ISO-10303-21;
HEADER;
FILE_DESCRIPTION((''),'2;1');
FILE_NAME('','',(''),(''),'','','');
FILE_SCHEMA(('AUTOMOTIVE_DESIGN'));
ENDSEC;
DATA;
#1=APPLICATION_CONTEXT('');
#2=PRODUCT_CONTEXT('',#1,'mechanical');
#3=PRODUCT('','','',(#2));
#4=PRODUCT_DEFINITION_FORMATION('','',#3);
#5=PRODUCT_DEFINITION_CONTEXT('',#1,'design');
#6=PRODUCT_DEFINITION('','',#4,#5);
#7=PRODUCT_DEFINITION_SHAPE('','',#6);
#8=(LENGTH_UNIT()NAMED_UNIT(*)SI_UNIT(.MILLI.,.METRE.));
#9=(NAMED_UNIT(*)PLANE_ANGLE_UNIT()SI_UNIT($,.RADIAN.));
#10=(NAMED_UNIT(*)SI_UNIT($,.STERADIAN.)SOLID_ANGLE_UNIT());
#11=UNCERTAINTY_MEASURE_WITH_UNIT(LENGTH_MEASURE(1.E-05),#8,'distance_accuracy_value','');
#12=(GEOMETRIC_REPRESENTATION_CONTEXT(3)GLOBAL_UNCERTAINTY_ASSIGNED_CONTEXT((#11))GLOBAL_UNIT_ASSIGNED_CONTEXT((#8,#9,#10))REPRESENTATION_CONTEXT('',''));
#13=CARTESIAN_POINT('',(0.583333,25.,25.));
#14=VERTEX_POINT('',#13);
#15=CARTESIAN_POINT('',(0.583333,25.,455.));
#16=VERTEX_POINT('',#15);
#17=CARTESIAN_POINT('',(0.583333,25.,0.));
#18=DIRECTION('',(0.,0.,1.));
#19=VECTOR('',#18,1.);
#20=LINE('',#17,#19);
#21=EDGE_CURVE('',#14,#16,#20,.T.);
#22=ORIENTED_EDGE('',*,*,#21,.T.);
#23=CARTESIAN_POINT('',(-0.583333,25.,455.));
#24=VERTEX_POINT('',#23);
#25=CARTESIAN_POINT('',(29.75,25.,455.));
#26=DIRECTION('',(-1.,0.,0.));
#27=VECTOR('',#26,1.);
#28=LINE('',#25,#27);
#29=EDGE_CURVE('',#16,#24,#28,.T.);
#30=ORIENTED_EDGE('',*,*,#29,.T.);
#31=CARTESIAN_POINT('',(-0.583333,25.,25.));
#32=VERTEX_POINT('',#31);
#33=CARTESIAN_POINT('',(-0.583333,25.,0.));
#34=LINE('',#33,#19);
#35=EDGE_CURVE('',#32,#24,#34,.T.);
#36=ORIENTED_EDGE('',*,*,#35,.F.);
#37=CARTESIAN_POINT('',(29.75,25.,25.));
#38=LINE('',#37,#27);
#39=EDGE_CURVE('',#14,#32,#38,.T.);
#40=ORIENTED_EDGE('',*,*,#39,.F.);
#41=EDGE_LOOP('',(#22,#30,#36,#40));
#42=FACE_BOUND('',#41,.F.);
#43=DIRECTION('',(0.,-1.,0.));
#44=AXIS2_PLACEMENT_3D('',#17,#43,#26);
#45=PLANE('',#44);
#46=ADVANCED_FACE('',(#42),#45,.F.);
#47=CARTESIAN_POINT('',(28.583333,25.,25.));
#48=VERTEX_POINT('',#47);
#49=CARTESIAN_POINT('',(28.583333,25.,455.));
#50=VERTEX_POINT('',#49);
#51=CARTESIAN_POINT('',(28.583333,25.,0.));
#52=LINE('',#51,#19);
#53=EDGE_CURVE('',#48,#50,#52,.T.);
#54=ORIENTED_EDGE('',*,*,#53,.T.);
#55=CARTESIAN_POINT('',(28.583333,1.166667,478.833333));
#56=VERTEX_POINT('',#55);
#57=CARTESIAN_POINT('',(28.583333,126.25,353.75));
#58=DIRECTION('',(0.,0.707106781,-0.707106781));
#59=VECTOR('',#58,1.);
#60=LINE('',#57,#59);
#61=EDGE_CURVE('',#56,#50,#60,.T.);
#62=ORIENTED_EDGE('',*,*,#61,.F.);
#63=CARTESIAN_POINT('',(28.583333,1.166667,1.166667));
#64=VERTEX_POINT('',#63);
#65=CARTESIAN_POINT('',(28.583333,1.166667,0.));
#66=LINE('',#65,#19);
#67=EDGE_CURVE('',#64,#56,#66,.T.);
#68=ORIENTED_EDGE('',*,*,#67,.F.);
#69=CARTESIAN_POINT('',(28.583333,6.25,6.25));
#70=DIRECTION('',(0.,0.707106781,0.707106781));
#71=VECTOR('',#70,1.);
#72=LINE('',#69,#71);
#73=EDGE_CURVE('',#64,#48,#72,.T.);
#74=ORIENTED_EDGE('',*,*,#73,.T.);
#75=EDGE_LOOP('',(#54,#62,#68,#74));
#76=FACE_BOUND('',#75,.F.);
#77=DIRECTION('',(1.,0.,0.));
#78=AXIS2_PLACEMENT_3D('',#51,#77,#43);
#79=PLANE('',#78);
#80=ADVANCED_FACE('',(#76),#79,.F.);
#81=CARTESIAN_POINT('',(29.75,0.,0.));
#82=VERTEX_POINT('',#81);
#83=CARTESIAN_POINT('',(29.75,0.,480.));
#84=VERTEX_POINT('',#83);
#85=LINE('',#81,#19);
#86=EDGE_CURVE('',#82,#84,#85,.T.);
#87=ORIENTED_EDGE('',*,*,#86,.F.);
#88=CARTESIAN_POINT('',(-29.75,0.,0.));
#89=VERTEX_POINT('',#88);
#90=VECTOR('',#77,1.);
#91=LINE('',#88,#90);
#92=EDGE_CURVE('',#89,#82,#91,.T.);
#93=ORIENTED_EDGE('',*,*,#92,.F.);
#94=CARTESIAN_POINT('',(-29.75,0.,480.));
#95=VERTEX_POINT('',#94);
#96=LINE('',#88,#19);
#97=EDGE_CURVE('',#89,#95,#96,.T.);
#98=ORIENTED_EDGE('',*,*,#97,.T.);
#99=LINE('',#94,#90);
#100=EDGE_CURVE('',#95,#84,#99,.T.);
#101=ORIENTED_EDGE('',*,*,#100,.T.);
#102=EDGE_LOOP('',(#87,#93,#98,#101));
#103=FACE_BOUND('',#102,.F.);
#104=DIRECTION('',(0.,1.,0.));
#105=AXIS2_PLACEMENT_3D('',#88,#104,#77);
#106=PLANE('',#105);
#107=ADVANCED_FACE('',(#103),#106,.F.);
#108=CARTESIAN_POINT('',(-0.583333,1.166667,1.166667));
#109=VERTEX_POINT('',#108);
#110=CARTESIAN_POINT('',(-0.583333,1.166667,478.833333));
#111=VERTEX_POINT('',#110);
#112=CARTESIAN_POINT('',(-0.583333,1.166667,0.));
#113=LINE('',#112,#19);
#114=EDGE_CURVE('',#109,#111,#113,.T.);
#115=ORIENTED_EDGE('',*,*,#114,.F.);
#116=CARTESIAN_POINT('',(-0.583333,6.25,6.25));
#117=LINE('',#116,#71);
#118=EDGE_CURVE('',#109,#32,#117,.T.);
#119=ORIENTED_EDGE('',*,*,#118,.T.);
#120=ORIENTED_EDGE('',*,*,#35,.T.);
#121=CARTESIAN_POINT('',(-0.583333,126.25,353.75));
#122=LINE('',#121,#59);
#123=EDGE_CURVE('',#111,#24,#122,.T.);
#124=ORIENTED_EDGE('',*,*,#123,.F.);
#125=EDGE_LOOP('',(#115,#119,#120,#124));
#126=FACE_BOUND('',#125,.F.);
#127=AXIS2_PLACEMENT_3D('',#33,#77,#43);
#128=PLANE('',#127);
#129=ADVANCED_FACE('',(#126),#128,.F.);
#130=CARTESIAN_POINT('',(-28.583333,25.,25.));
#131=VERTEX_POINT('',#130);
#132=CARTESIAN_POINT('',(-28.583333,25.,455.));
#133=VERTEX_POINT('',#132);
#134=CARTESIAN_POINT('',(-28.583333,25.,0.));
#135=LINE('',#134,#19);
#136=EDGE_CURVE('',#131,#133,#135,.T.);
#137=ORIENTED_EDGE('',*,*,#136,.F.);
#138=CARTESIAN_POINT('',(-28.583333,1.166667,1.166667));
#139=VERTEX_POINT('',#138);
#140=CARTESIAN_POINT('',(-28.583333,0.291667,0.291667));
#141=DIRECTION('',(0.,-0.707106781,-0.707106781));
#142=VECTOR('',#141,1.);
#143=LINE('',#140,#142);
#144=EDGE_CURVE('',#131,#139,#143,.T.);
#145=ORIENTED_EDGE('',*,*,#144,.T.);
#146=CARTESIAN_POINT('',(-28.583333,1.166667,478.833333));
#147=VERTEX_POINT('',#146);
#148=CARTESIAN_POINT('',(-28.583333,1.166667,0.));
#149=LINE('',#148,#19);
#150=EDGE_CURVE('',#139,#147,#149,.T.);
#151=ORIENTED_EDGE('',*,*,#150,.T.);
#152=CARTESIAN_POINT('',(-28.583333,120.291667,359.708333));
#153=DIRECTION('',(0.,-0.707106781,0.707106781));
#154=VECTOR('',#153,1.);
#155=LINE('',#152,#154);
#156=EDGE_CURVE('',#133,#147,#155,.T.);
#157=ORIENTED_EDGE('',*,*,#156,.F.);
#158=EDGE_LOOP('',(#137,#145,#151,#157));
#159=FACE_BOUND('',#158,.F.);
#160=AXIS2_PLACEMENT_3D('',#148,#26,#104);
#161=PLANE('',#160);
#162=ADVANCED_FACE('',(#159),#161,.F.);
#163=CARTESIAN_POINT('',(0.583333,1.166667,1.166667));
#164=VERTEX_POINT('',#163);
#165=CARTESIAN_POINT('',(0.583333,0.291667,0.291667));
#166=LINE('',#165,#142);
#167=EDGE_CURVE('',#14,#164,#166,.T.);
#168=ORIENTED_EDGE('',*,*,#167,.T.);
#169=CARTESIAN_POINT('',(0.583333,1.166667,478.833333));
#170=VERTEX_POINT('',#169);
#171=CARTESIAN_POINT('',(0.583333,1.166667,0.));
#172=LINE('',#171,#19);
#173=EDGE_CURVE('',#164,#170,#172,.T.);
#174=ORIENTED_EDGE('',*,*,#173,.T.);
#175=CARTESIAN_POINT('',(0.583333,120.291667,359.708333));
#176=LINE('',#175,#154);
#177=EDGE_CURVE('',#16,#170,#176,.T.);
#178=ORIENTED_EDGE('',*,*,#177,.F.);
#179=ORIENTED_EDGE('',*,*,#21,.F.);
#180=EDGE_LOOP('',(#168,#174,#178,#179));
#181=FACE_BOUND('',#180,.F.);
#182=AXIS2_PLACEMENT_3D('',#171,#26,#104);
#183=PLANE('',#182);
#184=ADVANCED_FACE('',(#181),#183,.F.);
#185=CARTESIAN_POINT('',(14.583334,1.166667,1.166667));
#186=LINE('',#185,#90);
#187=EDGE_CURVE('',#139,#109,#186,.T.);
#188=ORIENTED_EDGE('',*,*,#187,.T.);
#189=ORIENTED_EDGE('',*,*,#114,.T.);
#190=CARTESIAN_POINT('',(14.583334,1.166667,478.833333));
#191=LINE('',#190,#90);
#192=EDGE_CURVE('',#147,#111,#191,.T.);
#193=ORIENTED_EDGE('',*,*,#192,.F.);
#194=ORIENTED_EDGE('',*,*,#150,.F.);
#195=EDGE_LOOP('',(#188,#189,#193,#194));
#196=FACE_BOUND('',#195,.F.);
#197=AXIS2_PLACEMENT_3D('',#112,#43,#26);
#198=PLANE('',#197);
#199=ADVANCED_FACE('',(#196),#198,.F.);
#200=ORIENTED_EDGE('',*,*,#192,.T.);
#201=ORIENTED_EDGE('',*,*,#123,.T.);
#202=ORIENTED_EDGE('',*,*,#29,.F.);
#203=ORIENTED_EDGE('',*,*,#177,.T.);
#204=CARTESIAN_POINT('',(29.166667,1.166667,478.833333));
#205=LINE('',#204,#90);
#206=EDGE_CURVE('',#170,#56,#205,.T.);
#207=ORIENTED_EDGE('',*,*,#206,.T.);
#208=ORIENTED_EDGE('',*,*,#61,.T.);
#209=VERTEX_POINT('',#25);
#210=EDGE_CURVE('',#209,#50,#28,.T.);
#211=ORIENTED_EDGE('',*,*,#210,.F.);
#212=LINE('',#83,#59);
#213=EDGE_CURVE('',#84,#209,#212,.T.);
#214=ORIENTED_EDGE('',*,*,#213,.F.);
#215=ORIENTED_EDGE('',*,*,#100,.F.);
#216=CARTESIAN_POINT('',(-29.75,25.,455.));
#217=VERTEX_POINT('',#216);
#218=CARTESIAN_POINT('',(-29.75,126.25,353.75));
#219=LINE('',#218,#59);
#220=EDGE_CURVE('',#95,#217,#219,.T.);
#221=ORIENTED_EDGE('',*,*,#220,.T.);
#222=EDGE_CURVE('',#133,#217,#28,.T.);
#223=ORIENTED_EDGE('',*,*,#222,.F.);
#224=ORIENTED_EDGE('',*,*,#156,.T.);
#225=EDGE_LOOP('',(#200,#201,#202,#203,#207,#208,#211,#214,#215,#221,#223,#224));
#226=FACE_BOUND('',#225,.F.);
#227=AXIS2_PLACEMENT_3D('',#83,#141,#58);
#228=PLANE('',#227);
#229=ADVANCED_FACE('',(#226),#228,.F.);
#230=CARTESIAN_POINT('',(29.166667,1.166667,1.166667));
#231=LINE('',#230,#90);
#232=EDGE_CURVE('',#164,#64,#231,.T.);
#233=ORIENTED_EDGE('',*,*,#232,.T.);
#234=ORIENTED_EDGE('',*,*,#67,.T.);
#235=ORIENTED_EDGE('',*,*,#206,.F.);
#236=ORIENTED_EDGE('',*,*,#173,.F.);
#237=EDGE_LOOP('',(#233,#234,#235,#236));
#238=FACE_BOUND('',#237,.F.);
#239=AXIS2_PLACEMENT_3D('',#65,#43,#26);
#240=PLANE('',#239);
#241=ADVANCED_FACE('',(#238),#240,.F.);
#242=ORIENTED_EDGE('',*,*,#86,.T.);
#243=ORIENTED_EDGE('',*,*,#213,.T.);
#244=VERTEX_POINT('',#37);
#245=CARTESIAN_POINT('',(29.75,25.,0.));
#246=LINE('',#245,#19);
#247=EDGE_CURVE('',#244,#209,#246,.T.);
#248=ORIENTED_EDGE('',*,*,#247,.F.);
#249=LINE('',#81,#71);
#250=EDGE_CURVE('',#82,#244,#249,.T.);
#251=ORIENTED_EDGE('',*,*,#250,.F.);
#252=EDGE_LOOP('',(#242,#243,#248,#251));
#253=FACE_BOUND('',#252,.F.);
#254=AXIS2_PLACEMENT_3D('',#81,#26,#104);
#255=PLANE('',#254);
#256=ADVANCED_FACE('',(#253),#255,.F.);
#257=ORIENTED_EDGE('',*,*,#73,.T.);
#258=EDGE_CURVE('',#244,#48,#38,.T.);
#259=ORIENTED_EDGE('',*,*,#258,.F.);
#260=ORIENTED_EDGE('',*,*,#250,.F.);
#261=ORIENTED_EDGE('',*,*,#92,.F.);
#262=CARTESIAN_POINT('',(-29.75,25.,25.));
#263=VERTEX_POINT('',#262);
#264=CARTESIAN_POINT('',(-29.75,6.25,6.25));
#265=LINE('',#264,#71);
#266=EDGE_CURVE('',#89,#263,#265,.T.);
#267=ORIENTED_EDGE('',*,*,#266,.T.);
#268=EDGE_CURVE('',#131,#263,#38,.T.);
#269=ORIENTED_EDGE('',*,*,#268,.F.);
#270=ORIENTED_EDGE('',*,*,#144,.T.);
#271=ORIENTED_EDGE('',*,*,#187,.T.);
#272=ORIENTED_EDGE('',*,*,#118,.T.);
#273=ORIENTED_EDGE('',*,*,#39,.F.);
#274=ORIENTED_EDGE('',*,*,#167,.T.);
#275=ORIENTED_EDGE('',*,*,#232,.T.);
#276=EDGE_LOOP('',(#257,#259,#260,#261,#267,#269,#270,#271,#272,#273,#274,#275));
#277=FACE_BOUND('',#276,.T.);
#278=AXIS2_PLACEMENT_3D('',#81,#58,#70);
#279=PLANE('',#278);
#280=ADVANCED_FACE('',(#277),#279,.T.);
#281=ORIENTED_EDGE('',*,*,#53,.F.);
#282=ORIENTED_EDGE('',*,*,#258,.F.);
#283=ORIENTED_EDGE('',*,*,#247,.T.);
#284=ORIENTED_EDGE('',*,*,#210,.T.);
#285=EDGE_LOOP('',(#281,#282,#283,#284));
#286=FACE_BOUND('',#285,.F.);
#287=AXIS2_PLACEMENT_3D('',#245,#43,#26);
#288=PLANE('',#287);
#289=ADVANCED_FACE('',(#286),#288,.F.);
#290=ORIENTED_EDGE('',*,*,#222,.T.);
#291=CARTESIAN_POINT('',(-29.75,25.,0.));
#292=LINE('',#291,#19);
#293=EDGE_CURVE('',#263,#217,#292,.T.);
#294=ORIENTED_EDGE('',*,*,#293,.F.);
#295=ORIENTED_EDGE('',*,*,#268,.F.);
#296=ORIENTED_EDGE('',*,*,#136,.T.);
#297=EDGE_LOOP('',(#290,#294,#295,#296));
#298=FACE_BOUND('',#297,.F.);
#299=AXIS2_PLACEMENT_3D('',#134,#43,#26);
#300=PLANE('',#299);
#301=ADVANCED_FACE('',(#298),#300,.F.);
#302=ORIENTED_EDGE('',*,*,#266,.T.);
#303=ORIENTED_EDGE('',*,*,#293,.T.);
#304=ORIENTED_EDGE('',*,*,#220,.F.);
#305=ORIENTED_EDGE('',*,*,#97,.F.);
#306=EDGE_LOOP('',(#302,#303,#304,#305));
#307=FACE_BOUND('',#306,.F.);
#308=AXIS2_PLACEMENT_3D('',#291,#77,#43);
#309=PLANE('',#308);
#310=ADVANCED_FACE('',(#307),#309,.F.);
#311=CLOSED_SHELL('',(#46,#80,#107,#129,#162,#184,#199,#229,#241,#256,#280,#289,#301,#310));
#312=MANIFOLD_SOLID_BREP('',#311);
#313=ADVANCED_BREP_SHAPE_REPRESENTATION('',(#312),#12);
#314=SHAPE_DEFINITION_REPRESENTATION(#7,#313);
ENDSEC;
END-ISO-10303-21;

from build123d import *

# Parameters (mm, degrees)
PAD_DEPTH       = 480
POCKET_DEPTH    = 59.501
POCKET001_DEPTH = 59.501


with BuildPart() as part:
    # Sketch → Pad (new body)
    with BuildSketch(Plane.XY):
        Polygon((-29.75, 25), (-29.75, 0), (29.75, 0), (29.75, 25), (28.583333, 25), (28.583333, 1.166667), (0.583333, 1.166667), (0.583333, 25), (-0.583333, 25), (-0.583333, 1.166667), (-28.583333, 1.166667), (-28.583333, 25), align=None)
    extrude(amount=PAD_DEPTH)

    # Sketch001 (on Face3 of Pad) → Pocket (cut, through all)
    with BuildSketch(Plane.YZ.offset(29.75)):
        Polygon((0, 0), (25, 25), (25, 0), align=None)
    extrude(amount=-POCKET_DEPTH, mode=Mode.SUBTRACT)

    # Sketch002 (on Face6 of Pocket) → Pocket001 (cut, through all)
    with BuildSketch(Plane.YZ.offset(29.75)):
        Polygon((0, 480), (25, 455), (25, 480), align=None)
    extrude(amount=-POCKET001_DEPTH, mode=Mode.SUBTRACT)


solid = part.part
